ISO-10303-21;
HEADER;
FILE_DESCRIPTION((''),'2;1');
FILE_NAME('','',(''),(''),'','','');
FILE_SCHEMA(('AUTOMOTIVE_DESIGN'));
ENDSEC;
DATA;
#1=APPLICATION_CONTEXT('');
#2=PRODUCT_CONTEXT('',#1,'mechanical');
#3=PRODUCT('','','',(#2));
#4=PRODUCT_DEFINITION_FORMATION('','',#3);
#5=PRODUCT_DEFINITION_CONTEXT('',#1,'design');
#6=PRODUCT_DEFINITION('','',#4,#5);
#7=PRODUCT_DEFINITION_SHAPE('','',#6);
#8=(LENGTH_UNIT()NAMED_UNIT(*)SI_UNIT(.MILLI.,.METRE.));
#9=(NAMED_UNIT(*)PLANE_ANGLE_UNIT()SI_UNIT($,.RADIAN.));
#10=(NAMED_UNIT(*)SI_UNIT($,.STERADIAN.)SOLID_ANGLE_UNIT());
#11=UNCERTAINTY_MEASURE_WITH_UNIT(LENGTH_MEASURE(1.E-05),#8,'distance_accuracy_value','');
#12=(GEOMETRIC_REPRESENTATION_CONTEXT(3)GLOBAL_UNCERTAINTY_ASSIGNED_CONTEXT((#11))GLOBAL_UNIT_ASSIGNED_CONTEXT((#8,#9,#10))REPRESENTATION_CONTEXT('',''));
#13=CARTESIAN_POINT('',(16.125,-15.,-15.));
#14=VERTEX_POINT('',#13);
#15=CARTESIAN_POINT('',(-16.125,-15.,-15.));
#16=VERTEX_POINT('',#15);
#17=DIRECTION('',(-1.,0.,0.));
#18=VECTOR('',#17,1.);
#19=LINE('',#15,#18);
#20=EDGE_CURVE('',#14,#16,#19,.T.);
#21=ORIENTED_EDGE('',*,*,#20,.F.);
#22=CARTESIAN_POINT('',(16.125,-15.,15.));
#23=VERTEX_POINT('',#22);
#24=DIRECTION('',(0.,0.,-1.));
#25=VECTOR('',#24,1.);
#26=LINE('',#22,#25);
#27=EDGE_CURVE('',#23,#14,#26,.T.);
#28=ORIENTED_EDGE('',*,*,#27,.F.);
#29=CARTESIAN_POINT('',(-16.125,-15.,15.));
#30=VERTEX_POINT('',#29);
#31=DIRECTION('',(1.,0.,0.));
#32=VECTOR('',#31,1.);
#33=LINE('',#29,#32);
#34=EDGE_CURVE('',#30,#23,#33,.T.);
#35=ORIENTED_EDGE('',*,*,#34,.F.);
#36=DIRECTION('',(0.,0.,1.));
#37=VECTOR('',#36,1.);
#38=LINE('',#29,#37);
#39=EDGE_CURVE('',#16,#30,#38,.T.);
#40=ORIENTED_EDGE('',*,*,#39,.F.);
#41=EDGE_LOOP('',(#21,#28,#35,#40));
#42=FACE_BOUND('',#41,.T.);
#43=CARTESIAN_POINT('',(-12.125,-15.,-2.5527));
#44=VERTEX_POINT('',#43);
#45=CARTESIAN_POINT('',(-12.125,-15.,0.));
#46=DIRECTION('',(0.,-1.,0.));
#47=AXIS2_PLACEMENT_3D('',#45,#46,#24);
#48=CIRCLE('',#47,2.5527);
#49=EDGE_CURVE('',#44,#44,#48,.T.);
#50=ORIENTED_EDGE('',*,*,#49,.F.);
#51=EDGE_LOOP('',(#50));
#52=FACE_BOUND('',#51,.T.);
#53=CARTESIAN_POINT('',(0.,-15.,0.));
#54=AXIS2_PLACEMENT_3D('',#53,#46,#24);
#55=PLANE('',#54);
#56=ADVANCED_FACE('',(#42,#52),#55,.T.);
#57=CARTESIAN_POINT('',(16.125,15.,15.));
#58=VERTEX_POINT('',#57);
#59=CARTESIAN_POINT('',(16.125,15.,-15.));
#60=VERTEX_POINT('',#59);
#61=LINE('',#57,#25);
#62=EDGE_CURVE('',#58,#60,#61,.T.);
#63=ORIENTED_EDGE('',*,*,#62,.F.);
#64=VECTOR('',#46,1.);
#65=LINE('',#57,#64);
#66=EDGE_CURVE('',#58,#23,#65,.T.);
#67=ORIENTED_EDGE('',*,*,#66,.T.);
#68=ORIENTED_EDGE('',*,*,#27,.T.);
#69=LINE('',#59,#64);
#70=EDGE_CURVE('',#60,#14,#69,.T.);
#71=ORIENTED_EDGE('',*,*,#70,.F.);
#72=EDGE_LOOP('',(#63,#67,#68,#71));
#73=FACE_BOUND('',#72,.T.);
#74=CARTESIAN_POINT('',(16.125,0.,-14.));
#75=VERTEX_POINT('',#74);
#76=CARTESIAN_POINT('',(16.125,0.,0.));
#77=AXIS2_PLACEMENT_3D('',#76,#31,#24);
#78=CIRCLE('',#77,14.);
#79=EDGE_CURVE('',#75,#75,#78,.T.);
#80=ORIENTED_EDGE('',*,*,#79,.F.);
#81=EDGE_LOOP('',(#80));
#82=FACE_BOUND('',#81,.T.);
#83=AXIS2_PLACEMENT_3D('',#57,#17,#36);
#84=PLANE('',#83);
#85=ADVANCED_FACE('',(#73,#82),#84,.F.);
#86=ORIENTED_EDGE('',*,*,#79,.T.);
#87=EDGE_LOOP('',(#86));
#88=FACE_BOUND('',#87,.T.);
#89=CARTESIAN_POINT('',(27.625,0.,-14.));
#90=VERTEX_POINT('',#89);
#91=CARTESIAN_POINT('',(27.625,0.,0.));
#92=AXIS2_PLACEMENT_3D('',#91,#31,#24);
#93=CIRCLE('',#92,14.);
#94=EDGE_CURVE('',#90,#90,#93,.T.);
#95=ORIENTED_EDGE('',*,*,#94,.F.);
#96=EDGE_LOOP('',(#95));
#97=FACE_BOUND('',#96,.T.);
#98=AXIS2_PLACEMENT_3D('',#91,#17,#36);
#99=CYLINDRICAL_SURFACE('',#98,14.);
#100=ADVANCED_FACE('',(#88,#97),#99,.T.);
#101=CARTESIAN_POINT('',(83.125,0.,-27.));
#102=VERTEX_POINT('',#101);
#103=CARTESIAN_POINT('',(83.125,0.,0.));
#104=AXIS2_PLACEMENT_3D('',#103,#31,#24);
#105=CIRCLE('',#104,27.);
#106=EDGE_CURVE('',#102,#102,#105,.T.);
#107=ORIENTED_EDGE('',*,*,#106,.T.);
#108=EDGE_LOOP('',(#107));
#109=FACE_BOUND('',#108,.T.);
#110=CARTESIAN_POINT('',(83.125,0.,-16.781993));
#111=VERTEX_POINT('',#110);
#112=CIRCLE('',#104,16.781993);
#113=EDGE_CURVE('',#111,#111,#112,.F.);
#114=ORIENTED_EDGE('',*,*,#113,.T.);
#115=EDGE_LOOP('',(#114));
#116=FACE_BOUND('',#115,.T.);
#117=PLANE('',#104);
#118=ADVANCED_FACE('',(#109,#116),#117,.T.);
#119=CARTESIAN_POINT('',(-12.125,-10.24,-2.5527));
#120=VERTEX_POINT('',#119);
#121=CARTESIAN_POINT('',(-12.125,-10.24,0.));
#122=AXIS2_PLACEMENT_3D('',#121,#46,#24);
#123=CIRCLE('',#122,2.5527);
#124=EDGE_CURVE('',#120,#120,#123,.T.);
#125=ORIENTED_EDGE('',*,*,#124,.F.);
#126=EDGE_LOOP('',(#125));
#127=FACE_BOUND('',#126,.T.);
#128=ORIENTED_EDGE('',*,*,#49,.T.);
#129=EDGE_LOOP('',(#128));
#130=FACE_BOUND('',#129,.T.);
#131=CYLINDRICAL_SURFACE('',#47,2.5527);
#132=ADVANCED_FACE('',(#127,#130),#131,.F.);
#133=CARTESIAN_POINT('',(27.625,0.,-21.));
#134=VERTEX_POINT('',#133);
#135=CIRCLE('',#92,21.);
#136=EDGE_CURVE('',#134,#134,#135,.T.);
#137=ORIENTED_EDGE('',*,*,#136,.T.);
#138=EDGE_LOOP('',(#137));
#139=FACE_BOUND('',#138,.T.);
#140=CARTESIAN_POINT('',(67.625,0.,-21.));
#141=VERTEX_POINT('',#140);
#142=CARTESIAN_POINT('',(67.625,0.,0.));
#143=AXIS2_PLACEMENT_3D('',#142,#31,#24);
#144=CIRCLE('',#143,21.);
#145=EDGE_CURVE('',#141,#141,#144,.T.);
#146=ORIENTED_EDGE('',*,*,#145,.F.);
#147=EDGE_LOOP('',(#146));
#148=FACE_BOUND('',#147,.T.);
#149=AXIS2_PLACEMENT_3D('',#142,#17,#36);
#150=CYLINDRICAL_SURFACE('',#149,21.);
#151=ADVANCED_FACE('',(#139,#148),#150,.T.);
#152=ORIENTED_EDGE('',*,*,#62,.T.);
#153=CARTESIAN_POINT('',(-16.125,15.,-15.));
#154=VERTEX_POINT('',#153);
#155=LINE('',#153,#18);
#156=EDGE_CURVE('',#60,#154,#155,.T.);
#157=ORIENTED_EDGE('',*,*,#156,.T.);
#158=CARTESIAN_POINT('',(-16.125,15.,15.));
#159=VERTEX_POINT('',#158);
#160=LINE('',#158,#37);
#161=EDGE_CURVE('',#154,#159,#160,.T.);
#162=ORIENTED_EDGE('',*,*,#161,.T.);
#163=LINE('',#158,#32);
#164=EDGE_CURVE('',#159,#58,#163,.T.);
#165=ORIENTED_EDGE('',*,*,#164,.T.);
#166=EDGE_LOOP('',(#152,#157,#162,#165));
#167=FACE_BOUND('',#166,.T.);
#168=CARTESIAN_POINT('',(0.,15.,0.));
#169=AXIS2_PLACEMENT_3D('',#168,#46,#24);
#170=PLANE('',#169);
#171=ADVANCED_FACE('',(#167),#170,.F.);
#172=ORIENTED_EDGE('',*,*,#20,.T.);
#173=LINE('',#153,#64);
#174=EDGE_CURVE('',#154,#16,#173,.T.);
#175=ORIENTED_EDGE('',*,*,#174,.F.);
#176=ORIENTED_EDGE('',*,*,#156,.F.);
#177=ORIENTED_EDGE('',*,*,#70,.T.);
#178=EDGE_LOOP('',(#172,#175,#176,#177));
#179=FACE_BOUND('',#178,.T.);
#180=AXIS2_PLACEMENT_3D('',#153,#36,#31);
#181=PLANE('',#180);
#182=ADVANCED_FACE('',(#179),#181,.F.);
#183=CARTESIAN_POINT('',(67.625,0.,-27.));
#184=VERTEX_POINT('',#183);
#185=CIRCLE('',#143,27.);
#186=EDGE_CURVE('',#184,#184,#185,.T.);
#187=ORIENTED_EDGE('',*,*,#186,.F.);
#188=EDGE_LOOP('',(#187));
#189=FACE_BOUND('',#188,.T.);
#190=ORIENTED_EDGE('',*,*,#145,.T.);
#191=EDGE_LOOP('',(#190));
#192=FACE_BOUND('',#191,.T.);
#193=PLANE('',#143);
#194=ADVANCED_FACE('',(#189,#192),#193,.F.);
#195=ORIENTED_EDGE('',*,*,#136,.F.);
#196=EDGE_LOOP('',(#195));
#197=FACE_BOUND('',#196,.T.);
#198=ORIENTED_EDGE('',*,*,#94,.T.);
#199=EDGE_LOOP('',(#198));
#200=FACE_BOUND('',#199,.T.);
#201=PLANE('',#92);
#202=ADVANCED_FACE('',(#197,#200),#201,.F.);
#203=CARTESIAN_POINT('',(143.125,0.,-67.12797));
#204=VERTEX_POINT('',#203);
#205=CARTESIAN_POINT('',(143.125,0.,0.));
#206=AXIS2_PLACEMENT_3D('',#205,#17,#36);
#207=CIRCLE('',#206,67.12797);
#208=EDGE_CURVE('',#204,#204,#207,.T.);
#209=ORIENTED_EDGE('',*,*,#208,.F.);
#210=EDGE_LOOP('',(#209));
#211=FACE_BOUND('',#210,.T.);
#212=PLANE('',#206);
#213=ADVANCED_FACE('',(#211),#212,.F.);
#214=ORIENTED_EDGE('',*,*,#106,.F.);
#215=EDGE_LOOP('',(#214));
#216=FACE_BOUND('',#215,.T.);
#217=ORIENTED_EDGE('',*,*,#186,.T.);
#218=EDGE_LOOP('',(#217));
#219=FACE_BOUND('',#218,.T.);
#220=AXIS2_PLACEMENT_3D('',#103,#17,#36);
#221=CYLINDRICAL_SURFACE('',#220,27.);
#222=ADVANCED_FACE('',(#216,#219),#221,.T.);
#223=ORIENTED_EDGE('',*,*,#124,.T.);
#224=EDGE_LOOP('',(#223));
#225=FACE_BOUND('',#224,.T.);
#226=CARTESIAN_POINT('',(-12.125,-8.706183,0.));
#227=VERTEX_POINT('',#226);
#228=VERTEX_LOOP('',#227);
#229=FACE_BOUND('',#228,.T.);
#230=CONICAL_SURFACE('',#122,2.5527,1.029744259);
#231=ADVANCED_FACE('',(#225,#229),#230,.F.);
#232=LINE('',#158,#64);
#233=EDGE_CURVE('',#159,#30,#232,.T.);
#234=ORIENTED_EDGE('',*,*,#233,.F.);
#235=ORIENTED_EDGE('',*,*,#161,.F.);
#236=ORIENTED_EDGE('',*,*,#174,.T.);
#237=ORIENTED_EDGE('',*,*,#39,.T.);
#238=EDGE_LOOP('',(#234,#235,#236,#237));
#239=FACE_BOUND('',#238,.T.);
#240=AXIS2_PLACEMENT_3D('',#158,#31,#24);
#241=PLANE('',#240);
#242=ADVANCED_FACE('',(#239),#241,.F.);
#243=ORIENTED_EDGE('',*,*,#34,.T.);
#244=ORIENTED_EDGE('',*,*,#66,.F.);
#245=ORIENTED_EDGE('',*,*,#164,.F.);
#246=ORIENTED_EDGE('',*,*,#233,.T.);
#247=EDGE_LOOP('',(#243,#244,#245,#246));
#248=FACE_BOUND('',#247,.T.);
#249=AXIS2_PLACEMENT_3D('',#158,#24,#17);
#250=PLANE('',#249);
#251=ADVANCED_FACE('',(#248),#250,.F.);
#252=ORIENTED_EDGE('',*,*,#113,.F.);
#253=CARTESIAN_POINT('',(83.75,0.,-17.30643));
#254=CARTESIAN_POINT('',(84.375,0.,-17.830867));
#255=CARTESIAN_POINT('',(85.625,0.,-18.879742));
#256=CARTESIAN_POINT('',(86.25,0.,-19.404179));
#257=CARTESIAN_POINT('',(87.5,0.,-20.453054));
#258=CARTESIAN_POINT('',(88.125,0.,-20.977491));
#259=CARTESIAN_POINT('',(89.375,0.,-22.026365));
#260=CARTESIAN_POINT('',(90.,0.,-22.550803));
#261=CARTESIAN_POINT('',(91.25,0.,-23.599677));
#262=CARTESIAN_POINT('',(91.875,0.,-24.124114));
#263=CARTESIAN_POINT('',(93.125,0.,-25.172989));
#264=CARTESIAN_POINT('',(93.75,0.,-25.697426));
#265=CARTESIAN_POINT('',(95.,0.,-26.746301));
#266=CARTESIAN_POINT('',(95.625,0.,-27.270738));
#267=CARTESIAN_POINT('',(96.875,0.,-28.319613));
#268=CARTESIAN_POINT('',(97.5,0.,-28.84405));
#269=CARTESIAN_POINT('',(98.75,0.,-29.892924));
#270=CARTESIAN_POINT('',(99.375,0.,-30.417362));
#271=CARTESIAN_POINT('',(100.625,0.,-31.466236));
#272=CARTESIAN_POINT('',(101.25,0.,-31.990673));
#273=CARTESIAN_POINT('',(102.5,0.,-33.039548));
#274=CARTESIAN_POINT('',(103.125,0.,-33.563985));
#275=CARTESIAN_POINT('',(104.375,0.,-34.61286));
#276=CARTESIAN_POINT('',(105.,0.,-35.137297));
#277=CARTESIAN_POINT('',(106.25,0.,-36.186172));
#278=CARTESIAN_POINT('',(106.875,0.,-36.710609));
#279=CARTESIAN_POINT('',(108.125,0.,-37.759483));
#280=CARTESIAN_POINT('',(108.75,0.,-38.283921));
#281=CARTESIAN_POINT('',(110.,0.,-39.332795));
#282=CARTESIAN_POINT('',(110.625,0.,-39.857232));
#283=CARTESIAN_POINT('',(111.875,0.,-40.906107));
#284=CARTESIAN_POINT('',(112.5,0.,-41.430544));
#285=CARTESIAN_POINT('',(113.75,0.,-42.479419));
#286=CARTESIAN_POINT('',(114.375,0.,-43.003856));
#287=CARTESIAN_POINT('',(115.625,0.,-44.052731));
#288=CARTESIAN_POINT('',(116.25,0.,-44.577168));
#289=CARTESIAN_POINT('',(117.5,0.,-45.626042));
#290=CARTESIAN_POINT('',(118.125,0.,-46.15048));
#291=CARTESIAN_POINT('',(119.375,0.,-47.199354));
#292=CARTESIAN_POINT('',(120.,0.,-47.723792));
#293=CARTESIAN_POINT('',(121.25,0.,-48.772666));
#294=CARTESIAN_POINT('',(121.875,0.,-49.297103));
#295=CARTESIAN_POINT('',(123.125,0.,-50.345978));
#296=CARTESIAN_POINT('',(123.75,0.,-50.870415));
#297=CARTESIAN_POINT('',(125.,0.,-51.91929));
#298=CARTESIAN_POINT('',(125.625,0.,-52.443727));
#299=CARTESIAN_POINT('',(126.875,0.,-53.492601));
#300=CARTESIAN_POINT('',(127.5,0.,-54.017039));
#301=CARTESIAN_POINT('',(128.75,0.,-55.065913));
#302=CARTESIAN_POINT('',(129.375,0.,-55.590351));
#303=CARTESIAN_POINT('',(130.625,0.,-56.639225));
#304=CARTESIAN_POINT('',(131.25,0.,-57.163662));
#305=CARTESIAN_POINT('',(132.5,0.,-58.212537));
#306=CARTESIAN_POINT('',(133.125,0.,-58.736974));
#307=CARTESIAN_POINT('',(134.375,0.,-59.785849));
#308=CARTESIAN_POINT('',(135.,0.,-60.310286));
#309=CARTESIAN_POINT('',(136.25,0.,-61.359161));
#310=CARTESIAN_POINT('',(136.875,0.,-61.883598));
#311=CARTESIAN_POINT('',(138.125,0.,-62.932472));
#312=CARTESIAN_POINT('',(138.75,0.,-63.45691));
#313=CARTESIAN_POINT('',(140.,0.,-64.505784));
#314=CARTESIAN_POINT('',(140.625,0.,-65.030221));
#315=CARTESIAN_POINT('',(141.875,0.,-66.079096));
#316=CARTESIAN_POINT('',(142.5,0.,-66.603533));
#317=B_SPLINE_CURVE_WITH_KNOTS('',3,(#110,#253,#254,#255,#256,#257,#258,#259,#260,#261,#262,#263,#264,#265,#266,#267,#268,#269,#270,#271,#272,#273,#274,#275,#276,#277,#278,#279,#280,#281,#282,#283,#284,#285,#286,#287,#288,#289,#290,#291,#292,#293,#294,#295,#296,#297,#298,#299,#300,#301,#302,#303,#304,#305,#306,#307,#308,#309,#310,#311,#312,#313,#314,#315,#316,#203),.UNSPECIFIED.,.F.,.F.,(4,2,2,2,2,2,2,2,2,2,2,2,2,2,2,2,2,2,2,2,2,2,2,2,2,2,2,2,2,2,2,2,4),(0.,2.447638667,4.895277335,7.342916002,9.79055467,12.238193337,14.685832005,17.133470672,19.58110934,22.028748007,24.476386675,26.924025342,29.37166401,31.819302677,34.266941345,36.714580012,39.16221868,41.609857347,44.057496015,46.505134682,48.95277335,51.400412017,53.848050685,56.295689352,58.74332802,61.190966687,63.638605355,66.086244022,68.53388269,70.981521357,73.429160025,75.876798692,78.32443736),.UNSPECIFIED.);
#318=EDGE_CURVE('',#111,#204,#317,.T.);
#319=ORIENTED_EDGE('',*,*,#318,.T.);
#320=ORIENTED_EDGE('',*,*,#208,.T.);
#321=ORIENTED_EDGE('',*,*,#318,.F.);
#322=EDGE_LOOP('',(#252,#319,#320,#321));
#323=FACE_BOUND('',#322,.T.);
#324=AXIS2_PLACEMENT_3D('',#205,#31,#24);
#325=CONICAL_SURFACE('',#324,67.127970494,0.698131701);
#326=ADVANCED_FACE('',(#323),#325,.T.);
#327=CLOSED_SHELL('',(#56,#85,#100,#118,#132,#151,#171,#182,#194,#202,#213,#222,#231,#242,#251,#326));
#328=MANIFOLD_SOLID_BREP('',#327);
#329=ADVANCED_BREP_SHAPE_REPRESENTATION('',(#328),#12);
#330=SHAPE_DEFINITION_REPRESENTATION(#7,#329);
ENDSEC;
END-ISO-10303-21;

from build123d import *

# Parameters (mm, degrees)
SKETCH2_W                       = 32.25
SKETCH2_H                       = 30
BOSS_EXTRUDE1_DEPTH             = 15
SKETCH4_R                       = 14
BOSS_EXTRUDE2_DEPTH             = 11.5
SKETCH5_R                       = 21
BOSS_EXTRUDE3_DEPTH             = 40
SKETCH6_R                       = 27
BOSS_EXTRUDE4_DEPTH             = 15.5
TAP_DRILL_FOR_1_4_20_TAP1_D     = 5.1054
TAP_DRILL_FOR_1_4_20_TAP1_DEPTH = 4.76
TAP_DRILL_FOR_1_4_20_TAP1_TIP   = 1.533816902


with BuildPart() as part:
    # Sketch2 → Boss-Extrude1 (new, symmetric)
    with BuildSketch(Plane(origin=(0, 0, 0), x_dir=(1, 0, 0), z_dir=(0, 1, 0))):
        Rectangle(SKETCH2_W, SKETCH2_H)
    extrude(amount=BOSS_EXTRUDE1_DEPTH, both=True)

    # Sketch4 → Boss-Extrude2 (add)
    with BuildSketch(Plane(origin=(16.125, 0, 0), x_dir=(0, 0, -1), z_dir=(1, 0, 0))):
        Circle(SKETCH4_R)
    extrude(amount=BOSS_EXTRUDE2_DEPTH)

    # Sketch5 → Boss-Extrude3 (add)
    with BuildSketch(Plane(origin=(27.625, 0, 0), x_dir=(0, 0, -1), z_dir=(1, 0, 0))):
        Circle(SKETCH5_R)
    extrude(amount=BOSS_EXTRUDE3_DEPTH)

    # Sketch6 → Boss-Extrude4 (add)
    with BuildSketch(Plane(origin=(67.625, 0, 0), x_dir=(0, 0, -1), z_dir=(1, 0, 0))):
        Circle(SKETCH6_R)
    extrude(amount=BOSS_EXTRUDE4_DEPTH)

    # Sketch12 → Revolve1 (revolve)
    with BuildSketch(Plane.XY, mode=Mode.PRIVATE) as revolve1_sk:
        Polygon((63.125, 0), (143.125, 67.127970494), (143.125, 0), align=None)
    revolve(revolve1_sk.sketch.rotate(Axis((63.125, 0, 0), (1, 0, 0)), 270), axis=Axis((63.125, 0, 0), (1, 0, 0)))

    # Tap Drill for 1/4-20 Tap1
    with Locations(Plane(origin=(0, -15, 0), x_dir=(-1, 0, 0), z_dir=(0, -1, 0))):
        with Locations((12.125, 0)):
            Hole(TAP_DRILL_FOR_1_4_20_TAP1_D / 2, depth=TAP_DRILL_FOR_1_4_20_TAP1_DEPTH)
            with Locations((0, 0, -(TAP_DRILL_FOR_1_4_20_TAP1_DEPTH + TAP_DRILL_FOR_1_4_20_TAP1_TIP / 2))):  # 118° drill point
                Cone(0, TAP_DRILL_FOR_1_4_20_TAP1_D / 2, TAP_DRILL_FOR_1_4_20_TAP1_TIP, mode=Mode.SUBTRACT)


solid = part.part
